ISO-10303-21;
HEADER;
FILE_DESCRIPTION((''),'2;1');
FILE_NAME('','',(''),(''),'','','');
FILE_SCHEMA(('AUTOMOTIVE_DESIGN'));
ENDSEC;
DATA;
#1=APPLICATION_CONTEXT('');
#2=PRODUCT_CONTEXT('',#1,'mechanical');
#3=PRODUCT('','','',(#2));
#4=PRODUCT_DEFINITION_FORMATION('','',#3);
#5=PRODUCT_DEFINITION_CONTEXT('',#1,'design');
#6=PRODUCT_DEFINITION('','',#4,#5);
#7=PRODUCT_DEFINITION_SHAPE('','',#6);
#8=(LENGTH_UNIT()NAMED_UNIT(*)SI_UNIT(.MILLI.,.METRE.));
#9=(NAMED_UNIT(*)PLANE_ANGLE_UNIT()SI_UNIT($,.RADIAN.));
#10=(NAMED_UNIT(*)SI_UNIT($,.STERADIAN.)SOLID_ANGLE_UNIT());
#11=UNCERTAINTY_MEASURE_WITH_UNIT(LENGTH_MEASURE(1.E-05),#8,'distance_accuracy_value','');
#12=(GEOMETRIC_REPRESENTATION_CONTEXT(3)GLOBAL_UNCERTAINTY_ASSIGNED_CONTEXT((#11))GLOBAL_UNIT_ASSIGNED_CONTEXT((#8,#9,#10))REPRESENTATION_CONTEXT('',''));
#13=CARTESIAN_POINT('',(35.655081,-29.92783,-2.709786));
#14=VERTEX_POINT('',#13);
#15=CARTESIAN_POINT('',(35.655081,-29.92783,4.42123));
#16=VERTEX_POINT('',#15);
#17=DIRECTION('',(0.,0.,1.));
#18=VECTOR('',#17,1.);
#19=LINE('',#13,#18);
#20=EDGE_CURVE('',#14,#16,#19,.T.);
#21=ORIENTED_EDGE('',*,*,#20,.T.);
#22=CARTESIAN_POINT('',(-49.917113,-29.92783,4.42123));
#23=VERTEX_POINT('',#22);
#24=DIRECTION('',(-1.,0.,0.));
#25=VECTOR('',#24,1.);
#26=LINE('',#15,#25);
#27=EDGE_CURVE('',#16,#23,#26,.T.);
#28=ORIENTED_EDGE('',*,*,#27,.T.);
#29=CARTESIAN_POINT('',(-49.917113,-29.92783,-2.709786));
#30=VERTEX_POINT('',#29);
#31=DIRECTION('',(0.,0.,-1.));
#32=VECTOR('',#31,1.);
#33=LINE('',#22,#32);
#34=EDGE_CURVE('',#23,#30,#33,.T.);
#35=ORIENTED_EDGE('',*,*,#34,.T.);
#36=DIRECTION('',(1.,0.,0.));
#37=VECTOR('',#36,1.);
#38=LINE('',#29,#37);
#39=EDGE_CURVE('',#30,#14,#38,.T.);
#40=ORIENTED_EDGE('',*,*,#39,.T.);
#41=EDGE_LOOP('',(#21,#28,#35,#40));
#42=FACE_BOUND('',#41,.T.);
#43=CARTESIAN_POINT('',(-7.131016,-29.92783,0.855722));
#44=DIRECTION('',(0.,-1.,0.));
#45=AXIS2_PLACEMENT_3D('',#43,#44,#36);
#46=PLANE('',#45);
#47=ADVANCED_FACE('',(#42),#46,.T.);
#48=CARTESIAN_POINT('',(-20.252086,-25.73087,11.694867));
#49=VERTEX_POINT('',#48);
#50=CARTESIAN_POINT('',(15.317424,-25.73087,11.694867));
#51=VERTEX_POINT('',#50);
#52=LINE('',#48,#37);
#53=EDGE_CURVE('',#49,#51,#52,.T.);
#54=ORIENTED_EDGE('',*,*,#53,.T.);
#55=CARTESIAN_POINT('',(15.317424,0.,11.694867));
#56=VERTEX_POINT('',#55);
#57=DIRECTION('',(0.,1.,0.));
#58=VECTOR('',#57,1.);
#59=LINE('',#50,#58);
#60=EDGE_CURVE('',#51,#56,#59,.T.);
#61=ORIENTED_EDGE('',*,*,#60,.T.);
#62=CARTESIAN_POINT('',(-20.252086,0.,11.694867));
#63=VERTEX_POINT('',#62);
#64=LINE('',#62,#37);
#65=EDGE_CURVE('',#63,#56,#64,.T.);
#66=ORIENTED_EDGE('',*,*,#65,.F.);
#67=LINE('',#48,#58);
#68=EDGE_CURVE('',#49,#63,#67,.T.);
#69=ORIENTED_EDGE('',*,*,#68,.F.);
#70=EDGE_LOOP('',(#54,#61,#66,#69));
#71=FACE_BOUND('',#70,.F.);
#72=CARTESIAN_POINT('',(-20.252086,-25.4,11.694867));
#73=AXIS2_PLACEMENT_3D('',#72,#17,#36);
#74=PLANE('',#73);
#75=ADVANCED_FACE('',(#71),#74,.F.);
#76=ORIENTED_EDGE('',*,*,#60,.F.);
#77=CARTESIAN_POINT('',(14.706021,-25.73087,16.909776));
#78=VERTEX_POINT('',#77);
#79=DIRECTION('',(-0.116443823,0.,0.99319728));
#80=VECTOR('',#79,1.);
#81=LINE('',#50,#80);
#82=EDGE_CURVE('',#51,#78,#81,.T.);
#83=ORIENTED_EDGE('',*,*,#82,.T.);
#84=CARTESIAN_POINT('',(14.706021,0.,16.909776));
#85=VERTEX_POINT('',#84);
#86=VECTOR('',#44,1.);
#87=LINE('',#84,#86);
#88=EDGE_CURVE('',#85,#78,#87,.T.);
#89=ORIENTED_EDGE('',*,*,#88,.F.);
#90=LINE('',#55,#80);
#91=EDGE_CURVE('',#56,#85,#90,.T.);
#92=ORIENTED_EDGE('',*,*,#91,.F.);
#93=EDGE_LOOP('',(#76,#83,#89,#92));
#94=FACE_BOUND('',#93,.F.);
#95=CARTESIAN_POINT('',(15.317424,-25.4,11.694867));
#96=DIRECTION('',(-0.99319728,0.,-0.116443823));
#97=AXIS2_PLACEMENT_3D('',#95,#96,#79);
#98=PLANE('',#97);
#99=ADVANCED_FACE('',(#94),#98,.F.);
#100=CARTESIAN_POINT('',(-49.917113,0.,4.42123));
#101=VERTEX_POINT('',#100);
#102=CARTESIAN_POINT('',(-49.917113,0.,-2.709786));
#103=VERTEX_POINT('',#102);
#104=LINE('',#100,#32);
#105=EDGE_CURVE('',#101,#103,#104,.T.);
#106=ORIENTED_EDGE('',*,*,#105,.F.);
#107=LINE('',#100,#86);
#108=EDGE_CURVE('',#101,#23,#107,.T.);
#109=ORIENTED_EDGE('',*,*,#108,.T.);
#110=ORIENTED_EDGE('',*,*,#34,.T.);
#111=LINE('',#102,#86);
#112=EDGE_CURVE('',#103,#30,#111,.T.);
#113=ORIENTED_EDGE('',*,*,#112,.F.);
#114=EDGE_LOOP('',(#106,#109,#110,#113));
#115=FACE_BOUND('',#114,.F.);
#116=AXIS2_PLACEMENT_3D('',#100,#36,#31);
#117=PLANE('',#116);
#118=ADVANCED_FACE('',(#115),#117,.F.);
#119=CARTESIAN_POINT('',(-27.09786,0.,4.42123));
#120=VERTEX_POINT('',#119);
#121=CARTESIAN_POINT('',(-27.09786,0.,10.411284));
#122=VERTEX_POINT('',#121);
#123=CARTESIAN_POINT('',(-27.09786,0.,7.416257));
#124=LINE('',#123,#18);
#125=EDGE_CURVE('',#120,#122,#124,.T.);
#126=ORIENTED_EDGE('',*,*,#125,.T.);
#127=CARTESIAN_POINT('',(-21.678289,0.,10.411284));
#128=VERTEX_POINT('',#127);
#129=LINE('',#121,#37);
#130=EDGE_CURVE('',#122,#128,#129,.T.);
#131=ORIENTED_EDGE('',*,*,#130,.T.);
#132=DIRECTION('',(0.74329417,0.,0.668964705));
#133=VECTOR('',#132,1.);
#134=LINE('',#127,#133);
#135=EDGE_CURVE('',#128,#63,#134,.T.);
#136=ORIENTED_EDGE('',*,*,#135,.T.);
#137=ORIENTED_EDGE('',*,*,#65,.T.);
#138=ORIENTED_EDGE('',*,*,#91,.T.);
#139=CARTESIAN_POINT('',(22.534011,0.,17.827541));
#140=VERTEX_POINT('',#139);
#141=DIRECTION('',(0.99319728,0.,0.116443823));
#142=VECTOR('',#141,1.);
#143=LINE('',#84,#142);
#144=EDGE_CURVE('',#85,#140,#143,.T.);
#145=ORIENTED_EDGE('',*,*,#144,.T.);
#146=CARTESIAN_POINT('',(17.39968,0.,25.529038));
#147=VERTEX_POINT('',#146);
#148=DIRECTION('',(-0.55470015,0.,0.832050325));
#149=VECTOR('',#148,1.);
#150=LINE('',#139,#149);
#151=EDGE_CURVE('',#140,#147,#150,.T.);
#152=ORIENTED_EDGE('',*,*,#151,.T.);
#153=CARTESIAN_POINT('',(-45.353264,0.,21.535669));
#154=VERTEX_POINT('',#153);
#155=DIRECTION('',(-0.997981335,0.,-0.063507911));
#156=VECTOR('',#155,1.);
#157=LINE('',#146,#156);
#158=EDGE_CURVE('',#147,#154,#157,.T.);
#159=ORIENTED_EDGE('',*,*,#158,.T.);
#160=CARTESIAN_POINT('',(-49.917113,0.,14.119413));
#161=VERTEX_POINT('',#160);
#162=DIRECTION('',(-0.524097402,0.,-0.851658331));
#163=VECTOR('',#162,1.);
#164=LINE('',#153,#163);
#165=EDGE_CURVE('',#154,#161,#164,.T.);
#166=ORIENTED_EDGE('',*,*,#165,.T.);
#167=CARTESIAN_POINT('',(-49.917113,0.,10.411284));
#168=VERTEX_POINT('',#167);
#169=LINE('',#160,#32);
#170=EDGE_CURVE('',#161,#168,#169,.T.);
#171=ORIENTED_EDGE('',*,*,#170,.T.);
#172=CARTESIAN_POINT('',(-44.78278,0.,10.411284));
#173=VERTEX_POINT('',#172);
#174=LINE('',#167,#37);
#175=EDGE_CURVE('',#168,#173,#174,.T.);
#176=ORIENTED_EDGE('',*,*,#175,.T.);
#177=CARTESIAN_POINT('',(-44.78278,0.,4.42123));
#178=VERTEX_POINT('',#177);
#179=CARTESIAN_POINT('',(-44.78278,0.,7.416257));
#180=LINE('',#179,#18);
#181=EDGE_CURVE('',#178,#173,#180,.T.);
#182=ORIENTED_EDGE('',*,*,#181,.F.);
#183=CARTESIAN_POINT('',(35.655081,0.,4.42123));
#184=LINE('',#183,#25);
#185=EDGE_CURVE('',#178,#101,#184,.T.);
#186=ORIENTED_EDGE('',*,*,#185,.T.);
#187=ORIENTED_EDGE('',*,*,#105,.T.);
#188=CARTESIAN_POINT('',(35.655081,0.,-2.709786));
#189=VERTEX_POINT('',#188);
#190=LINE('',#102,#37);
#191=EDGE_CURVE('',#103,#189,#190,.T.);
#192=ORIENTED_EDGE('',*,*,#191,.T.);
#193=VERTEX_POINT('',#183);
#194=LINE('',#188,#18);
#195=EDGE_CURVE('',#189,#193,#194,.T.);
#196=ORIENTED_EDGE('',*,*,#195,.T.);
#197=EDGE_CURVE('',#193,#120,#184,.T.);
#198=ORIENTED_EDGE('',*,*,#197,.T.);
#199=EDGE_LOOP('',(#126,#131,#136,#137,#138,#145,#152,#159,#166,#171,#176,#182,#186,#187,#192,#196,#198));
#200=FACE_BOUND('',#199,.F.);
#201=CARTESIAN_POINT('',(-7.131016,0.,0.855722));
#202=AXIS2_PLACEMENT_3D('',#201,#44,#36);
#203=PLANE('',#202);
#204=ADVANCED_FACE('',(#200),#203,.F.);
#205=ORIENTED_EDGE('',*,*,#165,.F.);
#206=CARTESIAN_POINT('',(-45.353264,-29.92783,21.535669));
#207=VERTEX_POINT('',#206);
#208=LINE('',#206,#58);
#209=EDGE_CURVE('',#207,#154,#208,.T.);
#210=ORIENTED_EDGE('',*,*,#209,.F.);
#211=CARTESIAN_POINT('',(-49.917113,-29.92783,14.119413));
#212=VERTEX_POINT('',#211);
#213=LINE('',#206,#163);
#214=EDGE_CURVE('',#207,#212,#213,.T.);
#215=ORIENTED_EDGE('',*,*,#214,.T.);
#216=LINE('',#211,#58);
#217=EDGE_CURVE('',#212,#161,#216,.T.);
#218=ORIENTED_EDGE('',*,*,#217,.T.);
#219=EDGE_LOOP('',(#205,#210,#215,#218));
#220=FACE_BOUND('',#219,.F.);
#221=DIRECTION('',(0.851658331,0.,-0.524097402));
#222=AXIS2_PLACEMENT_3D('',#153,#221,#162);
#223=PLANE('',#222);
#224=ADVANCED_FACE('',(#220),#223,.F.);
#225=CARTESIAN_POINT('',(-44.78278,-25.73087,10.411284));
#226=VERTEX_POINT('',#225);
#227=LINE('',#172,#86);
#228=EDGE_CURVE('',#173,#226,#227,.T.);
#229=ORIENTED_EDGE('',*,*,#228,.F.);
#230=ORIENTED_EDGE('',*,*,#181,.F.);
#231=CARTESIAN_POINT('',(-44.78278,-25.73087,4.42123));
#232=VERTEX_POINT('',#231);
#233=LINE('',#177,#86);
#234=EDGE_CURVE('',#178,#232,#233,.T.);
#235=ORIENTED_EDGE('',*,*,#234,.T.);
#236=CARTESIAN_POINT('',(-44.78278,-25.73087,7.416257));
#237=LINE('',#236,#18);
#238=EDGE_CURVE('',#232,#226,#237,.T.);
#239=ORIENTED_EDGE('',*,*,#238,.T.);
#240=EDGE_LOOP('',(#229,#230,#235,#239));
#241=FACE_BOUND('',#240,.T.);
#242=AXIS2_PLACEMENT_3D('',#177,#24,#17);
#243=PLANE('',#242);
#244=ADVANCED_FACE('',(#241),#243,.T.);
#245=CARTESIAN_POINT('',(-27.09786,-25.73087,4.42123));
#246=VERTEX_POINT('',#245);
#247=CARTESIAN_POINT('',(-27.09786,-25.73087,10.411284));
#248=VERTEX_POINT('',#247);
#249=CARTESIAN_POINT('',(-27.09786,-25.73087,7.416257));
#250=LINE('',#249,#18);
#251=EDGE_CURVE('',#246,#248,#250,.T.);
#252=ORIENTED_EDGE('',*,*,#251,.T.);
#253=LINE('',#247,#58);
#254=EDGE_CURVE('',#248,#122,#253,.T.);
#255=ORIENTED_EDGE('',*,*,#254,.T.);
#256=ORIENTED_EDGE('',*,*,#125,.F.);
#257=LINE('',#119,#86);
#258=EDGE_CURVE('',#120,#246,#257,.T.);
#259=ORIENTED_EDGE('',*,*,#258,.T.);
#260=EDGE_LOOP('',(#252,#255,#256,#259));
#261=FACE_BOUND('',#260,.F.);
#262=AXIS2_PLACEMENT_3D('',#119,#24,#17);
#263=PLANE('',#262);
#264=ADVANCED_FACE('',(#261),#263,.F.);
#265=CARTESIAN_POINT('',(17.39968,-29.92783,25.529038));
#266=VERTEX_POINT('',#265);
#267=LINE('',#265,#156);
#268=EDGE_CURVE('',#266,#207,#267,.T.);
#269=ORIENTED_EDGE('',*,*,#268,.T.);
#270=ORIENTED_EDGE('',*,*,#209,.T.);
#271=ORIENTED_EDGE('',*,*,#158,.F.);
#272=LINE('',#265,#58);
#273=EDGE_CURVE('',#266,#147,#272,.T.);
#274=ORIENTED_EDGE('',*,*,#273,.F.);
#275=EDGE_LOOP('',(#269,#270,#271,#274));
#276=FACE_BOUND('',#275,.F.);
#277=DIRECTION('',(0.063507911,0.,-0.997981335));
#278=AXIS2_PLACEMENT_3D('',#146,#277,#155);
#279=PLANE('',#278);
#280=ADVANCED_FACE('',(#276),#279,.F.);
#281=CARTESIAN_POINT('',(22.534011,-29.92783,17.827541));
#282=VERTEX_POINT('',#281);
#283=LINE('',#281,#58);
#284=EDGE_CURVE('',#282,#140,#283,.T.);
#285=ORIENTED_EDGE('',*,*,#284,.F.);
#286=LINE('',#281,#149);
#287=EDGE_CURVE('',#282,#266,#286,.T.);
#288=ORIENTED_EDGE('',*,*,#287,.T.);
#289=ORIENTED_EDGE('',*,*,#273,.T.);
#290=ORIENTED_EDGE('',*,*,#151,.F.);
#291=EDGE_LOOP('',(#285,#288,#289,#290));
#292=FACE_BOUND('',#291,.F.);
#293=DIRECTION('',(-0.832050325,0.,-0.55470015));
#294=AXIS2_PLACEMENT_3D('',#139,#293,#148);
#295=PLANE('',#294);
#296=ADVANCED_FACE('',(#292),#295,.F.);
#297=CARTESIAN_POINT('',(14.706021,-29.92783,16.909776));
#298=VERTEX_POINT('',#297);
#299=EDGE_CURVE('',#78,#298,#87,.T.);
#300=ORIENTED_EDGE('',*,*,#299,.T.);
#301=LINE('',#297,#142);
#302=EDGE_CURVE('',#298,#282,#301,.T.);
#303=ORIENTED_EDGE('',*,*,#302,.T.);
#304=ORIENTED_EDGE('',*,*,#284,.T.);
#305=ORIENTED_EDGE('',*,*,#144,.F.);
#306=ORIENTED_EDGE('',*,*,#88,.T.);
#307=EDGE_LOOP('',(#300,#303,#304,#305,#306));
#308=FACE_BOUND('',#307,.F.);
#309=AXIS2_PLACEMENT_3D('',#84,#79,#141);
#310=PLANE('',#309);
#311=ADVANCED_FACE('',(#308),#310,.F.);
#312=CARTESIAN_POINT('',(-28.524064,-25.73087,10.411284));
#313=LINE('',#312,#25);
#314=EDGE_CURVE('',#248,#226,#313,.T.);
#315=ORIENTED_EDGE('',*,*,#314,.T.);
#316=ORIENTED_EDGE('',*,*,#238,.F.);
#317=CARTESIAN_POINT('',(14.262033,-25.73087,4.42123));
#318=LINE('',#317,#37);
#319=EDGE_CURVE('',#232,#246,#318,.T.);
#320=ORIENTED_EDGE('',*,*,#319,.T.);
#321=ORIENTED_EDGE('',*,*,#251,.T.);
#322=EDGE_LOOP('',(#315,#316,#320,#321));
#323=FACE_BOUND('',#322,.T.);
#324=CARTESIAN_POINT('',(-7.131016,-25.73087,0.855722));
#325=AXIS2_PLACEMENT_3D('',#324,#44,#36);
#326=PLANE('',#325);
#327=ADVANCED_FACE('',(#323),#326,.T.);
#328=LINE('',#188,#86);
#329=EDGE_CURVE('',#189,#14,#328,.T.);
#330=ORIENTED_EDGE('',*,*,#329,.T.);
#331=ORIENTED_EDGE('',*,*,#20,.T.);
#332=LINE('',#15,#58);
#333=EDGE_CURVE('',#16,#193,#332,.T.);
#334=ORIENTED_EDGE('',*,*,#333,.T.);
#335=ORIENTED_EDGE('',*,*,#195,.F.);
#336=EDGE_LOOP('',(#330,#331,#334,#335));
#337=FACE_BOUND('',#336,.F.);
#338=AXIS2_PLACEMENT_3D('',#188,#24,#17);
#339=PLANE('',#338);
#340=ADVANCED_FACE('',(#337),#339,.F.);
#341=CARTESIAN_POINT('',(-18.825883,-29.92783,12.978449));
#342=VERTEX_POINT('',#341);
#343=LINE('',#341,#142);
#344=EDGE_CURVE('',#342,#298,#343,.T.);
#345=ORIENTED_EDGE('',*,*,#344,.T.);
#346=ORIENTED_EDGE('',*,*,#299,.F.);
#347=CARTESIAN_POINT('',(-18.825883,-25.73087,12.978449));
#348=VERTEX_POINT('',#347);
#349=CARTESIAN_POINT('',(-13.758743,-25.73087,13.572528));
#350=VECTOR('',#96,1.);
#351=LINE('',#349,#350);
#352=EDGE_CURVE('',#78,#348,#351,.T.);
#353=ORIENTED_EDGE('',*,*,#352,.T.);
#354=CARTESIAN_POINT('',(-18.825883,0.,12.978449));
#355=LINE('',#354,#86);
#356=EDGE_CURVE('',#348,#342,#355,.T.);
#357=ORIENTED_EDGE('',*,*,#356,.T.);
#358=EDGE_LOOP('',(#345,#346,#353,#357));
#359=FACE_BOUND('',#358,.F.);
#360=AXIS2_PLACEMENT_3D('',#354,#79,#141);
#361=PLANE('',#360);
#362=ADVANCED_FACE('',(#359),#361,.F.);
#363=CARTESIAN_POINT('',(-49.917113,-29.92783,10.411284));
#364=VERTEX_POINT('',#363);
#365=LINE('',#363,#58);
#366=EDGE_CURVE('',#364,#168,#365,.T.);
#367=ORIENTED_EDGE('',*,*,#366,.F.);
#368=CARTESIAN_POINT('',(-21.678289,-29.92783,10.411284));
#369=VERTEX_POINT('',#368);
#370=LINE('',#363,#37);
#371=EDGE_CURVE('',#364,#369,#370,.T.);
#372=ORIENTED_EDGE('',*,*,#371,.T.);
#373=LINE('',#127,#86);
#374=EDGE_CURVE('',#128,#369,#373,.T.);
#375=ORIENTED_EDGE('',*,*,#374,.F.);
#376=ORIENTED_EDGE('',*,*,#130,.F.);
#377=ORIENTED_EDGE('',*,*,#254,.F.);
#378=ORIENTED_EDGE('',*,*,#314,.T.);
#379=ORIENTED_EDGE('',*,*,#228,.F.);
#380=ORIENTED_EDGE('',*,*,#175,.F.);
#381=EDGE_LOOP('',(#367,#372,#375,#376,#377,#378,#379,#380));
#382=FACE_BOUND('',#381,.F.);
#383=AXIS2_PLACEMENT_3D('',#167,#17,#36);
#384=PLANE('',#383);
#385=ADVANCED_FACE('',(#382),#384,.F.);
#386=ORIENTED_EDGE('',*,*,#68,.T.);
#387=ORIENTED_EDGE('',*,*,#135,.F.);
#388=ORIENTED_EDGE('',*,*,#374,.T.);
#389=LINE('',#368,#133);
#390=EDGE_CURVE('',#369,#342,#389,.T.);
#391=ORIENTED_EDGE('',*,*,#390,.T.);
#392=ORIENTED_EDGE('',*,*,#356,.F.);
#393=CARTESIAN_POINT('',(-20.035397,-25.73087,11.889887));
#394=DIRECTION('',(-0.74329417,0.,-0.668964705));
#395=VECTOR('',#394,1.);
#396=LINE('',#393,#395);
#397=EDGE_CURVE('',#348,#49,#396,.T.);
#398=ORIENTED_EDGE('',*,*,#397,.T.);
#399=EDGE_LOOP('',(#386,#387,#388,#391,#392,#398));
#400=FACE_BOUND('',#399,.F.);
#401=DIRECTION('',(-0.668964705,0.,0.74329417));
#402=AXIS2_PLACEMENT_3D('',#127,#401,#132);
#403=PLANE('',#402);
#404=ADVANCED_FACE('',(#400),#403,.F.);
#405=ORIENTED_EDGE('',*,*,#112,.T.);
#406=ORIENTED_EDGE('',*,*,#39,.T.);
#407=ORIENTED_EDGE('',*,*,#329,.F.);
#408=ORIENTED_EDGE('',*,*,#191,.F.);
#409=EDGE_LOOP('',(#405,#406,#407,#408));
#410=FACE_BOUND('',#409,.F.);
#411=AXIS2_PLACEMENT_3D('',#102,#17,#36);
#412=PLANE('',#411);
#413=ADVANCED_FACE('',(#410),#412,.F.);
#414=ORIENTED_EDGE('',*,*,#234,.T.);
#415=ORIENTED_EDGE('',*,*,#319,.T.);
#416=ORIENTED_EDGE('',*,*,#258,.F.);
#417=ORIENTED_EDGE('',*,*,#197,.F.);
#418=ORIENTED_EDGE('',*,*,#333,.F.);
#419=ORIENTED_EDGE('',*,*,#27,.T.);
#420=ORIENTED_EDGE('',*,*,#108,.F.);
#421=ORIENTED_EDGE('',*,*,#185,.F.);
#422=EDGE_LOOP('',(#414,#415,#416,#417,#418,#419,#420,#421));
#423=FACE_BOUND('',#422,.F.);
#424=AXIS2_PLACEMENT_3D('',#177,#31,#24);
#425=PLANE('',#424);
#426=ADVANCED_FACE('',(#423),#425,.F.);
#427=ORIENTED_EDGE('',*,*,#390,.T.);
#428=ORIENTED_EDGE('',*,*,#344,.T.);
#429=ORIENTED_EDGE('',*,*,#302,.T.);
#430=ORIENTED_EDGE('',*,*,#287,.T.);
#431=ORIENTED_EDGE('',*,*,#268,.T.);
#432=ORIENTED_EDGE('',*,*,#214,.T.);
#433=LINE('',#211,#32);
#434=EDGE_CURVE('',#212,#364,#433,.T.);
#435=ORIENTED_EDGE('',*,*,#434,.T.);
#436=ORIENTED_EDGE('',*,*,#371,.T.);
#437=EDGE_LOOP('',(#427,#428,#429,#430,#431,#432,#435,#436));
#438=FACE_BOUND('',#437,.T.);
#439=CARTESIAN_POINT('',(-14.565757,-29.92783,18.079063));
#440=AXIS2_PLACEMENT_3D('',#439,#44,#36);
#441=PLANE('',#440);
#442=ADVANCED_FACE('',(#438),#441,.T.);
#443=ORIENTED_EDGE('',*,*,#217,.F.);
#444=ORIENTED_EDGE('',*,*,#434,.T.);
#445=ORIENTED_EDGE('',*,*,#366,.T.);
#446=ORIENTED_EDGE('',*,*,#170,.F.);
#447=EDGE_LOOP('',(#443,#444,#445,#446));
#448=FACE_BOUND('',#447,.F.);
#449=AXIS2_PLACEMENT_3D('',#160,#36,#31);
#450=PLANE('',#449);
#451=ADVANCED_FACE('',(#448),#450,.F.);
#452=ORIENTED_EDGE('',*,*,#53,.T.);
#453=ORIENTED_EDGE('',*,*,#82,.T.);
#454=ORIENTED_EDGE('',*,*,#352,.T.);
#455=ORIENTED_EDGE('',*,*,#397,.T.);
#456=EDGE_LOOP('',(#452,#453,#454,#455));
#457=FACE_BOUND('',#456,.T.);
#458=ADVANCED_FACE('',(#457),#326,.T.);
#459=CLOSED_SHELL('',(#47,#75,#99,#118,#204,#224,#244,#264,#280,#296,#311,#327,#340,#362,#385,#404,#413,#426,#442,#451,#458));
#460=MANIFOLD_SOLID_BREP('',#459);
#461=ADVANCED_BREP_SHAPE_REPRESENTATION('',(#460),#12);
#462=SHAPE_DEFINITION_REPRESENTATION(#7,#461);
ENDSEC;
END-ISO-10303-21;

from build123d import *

# Parameters (mm, degrees)
F0_W     = 17.6849197596
F0_H     = 5.9900539927
F1_DEPTH = 25.4
F2_DEPTH = 29.92783
F3_DEPTH = 0.33087


with BuildPart() as f1:
    # F0 (on Front) → F1 (new body)
    with BuildSketch(Plane.XZ):
        Polygon((-27.0978603512, 4.4212299399), (-44.7827801108, 4.4212299399), (-49.9171130359, 4.4212299399), (-49.9171130359, -2.7097861748), (35.6550812721, -2.7097861748), (35.6550812721, 4.4212299399), align=None)
        Polygon((15.317424354, 11.6948666982), (14.7060211414, 16.9097762866), (-18.8258830458, 12.9784494638), (-20.2520862222, 11.6948666982), align=None)
        with Locations((-35.940320231, 7.4162569363)):
            Rectangle(F0_W, F0_H)
        Polygon((17.3996798694, 25.529038161), (-45.3532636166, 21.5356685221), (-49.9171130359, 14.11941275), (-49.9171130359, 10.4112839326), (-44.7827801108, 10.4112839326), (-27.0978603512, 10.4112839326), (-21.6782893986, 10.4112839326), (-20.2520862222, 11.6948666982), (-18.8258830458, 12.9784494638), (14.7060211414, 16.9097762866), (22.5340109318, 17.8275406361), align=None)
    extrude(amount=F1_DEPTH)

    # F0 (on Front) → F2 (join)
    with BuildSketch(Plane.XZ):
        Polygon((17.3996798694, 25.529038161), (-45.3532636166, 21.5356685221), (-49.9171130359, 14.11941275), (-49.9171130359, 10.4112839326), (-44.7827801108, 10.4112839326), (-27.0978603512, 10.4112839326), (-21.6782893986, 10.4112839326), (-20.2520862222, 11.6948666982), (-18.8258830458, 12.9784494638), (14.7060211414, 16.9097762866), (22.5340109318, 17.8275406361), align=None)
        Polygon((-27.0978603512, 4.4212299399), (-44.7827801108, 4.4212299399), (-49.9171130359, 4.4212299399), (-49.9171130359, -2.7097861748), (35.6550812721, -2.7097861748), (35.6550812721, 4.4212299399), align=None)
    extrude(amount=F2_DEPTH)

    # F3 (add): faces of the model
    f3_faces = [f1.faces().sort_by_distance(p)[0] for p in [
        (1.3459851792, -25.4, 13.5050170467),
        (-35.940320231, -25.4, 7.4162569363),
    ]]
    extrude(f3_faces, amount=F3_DEPTH)


solid = f1.part
